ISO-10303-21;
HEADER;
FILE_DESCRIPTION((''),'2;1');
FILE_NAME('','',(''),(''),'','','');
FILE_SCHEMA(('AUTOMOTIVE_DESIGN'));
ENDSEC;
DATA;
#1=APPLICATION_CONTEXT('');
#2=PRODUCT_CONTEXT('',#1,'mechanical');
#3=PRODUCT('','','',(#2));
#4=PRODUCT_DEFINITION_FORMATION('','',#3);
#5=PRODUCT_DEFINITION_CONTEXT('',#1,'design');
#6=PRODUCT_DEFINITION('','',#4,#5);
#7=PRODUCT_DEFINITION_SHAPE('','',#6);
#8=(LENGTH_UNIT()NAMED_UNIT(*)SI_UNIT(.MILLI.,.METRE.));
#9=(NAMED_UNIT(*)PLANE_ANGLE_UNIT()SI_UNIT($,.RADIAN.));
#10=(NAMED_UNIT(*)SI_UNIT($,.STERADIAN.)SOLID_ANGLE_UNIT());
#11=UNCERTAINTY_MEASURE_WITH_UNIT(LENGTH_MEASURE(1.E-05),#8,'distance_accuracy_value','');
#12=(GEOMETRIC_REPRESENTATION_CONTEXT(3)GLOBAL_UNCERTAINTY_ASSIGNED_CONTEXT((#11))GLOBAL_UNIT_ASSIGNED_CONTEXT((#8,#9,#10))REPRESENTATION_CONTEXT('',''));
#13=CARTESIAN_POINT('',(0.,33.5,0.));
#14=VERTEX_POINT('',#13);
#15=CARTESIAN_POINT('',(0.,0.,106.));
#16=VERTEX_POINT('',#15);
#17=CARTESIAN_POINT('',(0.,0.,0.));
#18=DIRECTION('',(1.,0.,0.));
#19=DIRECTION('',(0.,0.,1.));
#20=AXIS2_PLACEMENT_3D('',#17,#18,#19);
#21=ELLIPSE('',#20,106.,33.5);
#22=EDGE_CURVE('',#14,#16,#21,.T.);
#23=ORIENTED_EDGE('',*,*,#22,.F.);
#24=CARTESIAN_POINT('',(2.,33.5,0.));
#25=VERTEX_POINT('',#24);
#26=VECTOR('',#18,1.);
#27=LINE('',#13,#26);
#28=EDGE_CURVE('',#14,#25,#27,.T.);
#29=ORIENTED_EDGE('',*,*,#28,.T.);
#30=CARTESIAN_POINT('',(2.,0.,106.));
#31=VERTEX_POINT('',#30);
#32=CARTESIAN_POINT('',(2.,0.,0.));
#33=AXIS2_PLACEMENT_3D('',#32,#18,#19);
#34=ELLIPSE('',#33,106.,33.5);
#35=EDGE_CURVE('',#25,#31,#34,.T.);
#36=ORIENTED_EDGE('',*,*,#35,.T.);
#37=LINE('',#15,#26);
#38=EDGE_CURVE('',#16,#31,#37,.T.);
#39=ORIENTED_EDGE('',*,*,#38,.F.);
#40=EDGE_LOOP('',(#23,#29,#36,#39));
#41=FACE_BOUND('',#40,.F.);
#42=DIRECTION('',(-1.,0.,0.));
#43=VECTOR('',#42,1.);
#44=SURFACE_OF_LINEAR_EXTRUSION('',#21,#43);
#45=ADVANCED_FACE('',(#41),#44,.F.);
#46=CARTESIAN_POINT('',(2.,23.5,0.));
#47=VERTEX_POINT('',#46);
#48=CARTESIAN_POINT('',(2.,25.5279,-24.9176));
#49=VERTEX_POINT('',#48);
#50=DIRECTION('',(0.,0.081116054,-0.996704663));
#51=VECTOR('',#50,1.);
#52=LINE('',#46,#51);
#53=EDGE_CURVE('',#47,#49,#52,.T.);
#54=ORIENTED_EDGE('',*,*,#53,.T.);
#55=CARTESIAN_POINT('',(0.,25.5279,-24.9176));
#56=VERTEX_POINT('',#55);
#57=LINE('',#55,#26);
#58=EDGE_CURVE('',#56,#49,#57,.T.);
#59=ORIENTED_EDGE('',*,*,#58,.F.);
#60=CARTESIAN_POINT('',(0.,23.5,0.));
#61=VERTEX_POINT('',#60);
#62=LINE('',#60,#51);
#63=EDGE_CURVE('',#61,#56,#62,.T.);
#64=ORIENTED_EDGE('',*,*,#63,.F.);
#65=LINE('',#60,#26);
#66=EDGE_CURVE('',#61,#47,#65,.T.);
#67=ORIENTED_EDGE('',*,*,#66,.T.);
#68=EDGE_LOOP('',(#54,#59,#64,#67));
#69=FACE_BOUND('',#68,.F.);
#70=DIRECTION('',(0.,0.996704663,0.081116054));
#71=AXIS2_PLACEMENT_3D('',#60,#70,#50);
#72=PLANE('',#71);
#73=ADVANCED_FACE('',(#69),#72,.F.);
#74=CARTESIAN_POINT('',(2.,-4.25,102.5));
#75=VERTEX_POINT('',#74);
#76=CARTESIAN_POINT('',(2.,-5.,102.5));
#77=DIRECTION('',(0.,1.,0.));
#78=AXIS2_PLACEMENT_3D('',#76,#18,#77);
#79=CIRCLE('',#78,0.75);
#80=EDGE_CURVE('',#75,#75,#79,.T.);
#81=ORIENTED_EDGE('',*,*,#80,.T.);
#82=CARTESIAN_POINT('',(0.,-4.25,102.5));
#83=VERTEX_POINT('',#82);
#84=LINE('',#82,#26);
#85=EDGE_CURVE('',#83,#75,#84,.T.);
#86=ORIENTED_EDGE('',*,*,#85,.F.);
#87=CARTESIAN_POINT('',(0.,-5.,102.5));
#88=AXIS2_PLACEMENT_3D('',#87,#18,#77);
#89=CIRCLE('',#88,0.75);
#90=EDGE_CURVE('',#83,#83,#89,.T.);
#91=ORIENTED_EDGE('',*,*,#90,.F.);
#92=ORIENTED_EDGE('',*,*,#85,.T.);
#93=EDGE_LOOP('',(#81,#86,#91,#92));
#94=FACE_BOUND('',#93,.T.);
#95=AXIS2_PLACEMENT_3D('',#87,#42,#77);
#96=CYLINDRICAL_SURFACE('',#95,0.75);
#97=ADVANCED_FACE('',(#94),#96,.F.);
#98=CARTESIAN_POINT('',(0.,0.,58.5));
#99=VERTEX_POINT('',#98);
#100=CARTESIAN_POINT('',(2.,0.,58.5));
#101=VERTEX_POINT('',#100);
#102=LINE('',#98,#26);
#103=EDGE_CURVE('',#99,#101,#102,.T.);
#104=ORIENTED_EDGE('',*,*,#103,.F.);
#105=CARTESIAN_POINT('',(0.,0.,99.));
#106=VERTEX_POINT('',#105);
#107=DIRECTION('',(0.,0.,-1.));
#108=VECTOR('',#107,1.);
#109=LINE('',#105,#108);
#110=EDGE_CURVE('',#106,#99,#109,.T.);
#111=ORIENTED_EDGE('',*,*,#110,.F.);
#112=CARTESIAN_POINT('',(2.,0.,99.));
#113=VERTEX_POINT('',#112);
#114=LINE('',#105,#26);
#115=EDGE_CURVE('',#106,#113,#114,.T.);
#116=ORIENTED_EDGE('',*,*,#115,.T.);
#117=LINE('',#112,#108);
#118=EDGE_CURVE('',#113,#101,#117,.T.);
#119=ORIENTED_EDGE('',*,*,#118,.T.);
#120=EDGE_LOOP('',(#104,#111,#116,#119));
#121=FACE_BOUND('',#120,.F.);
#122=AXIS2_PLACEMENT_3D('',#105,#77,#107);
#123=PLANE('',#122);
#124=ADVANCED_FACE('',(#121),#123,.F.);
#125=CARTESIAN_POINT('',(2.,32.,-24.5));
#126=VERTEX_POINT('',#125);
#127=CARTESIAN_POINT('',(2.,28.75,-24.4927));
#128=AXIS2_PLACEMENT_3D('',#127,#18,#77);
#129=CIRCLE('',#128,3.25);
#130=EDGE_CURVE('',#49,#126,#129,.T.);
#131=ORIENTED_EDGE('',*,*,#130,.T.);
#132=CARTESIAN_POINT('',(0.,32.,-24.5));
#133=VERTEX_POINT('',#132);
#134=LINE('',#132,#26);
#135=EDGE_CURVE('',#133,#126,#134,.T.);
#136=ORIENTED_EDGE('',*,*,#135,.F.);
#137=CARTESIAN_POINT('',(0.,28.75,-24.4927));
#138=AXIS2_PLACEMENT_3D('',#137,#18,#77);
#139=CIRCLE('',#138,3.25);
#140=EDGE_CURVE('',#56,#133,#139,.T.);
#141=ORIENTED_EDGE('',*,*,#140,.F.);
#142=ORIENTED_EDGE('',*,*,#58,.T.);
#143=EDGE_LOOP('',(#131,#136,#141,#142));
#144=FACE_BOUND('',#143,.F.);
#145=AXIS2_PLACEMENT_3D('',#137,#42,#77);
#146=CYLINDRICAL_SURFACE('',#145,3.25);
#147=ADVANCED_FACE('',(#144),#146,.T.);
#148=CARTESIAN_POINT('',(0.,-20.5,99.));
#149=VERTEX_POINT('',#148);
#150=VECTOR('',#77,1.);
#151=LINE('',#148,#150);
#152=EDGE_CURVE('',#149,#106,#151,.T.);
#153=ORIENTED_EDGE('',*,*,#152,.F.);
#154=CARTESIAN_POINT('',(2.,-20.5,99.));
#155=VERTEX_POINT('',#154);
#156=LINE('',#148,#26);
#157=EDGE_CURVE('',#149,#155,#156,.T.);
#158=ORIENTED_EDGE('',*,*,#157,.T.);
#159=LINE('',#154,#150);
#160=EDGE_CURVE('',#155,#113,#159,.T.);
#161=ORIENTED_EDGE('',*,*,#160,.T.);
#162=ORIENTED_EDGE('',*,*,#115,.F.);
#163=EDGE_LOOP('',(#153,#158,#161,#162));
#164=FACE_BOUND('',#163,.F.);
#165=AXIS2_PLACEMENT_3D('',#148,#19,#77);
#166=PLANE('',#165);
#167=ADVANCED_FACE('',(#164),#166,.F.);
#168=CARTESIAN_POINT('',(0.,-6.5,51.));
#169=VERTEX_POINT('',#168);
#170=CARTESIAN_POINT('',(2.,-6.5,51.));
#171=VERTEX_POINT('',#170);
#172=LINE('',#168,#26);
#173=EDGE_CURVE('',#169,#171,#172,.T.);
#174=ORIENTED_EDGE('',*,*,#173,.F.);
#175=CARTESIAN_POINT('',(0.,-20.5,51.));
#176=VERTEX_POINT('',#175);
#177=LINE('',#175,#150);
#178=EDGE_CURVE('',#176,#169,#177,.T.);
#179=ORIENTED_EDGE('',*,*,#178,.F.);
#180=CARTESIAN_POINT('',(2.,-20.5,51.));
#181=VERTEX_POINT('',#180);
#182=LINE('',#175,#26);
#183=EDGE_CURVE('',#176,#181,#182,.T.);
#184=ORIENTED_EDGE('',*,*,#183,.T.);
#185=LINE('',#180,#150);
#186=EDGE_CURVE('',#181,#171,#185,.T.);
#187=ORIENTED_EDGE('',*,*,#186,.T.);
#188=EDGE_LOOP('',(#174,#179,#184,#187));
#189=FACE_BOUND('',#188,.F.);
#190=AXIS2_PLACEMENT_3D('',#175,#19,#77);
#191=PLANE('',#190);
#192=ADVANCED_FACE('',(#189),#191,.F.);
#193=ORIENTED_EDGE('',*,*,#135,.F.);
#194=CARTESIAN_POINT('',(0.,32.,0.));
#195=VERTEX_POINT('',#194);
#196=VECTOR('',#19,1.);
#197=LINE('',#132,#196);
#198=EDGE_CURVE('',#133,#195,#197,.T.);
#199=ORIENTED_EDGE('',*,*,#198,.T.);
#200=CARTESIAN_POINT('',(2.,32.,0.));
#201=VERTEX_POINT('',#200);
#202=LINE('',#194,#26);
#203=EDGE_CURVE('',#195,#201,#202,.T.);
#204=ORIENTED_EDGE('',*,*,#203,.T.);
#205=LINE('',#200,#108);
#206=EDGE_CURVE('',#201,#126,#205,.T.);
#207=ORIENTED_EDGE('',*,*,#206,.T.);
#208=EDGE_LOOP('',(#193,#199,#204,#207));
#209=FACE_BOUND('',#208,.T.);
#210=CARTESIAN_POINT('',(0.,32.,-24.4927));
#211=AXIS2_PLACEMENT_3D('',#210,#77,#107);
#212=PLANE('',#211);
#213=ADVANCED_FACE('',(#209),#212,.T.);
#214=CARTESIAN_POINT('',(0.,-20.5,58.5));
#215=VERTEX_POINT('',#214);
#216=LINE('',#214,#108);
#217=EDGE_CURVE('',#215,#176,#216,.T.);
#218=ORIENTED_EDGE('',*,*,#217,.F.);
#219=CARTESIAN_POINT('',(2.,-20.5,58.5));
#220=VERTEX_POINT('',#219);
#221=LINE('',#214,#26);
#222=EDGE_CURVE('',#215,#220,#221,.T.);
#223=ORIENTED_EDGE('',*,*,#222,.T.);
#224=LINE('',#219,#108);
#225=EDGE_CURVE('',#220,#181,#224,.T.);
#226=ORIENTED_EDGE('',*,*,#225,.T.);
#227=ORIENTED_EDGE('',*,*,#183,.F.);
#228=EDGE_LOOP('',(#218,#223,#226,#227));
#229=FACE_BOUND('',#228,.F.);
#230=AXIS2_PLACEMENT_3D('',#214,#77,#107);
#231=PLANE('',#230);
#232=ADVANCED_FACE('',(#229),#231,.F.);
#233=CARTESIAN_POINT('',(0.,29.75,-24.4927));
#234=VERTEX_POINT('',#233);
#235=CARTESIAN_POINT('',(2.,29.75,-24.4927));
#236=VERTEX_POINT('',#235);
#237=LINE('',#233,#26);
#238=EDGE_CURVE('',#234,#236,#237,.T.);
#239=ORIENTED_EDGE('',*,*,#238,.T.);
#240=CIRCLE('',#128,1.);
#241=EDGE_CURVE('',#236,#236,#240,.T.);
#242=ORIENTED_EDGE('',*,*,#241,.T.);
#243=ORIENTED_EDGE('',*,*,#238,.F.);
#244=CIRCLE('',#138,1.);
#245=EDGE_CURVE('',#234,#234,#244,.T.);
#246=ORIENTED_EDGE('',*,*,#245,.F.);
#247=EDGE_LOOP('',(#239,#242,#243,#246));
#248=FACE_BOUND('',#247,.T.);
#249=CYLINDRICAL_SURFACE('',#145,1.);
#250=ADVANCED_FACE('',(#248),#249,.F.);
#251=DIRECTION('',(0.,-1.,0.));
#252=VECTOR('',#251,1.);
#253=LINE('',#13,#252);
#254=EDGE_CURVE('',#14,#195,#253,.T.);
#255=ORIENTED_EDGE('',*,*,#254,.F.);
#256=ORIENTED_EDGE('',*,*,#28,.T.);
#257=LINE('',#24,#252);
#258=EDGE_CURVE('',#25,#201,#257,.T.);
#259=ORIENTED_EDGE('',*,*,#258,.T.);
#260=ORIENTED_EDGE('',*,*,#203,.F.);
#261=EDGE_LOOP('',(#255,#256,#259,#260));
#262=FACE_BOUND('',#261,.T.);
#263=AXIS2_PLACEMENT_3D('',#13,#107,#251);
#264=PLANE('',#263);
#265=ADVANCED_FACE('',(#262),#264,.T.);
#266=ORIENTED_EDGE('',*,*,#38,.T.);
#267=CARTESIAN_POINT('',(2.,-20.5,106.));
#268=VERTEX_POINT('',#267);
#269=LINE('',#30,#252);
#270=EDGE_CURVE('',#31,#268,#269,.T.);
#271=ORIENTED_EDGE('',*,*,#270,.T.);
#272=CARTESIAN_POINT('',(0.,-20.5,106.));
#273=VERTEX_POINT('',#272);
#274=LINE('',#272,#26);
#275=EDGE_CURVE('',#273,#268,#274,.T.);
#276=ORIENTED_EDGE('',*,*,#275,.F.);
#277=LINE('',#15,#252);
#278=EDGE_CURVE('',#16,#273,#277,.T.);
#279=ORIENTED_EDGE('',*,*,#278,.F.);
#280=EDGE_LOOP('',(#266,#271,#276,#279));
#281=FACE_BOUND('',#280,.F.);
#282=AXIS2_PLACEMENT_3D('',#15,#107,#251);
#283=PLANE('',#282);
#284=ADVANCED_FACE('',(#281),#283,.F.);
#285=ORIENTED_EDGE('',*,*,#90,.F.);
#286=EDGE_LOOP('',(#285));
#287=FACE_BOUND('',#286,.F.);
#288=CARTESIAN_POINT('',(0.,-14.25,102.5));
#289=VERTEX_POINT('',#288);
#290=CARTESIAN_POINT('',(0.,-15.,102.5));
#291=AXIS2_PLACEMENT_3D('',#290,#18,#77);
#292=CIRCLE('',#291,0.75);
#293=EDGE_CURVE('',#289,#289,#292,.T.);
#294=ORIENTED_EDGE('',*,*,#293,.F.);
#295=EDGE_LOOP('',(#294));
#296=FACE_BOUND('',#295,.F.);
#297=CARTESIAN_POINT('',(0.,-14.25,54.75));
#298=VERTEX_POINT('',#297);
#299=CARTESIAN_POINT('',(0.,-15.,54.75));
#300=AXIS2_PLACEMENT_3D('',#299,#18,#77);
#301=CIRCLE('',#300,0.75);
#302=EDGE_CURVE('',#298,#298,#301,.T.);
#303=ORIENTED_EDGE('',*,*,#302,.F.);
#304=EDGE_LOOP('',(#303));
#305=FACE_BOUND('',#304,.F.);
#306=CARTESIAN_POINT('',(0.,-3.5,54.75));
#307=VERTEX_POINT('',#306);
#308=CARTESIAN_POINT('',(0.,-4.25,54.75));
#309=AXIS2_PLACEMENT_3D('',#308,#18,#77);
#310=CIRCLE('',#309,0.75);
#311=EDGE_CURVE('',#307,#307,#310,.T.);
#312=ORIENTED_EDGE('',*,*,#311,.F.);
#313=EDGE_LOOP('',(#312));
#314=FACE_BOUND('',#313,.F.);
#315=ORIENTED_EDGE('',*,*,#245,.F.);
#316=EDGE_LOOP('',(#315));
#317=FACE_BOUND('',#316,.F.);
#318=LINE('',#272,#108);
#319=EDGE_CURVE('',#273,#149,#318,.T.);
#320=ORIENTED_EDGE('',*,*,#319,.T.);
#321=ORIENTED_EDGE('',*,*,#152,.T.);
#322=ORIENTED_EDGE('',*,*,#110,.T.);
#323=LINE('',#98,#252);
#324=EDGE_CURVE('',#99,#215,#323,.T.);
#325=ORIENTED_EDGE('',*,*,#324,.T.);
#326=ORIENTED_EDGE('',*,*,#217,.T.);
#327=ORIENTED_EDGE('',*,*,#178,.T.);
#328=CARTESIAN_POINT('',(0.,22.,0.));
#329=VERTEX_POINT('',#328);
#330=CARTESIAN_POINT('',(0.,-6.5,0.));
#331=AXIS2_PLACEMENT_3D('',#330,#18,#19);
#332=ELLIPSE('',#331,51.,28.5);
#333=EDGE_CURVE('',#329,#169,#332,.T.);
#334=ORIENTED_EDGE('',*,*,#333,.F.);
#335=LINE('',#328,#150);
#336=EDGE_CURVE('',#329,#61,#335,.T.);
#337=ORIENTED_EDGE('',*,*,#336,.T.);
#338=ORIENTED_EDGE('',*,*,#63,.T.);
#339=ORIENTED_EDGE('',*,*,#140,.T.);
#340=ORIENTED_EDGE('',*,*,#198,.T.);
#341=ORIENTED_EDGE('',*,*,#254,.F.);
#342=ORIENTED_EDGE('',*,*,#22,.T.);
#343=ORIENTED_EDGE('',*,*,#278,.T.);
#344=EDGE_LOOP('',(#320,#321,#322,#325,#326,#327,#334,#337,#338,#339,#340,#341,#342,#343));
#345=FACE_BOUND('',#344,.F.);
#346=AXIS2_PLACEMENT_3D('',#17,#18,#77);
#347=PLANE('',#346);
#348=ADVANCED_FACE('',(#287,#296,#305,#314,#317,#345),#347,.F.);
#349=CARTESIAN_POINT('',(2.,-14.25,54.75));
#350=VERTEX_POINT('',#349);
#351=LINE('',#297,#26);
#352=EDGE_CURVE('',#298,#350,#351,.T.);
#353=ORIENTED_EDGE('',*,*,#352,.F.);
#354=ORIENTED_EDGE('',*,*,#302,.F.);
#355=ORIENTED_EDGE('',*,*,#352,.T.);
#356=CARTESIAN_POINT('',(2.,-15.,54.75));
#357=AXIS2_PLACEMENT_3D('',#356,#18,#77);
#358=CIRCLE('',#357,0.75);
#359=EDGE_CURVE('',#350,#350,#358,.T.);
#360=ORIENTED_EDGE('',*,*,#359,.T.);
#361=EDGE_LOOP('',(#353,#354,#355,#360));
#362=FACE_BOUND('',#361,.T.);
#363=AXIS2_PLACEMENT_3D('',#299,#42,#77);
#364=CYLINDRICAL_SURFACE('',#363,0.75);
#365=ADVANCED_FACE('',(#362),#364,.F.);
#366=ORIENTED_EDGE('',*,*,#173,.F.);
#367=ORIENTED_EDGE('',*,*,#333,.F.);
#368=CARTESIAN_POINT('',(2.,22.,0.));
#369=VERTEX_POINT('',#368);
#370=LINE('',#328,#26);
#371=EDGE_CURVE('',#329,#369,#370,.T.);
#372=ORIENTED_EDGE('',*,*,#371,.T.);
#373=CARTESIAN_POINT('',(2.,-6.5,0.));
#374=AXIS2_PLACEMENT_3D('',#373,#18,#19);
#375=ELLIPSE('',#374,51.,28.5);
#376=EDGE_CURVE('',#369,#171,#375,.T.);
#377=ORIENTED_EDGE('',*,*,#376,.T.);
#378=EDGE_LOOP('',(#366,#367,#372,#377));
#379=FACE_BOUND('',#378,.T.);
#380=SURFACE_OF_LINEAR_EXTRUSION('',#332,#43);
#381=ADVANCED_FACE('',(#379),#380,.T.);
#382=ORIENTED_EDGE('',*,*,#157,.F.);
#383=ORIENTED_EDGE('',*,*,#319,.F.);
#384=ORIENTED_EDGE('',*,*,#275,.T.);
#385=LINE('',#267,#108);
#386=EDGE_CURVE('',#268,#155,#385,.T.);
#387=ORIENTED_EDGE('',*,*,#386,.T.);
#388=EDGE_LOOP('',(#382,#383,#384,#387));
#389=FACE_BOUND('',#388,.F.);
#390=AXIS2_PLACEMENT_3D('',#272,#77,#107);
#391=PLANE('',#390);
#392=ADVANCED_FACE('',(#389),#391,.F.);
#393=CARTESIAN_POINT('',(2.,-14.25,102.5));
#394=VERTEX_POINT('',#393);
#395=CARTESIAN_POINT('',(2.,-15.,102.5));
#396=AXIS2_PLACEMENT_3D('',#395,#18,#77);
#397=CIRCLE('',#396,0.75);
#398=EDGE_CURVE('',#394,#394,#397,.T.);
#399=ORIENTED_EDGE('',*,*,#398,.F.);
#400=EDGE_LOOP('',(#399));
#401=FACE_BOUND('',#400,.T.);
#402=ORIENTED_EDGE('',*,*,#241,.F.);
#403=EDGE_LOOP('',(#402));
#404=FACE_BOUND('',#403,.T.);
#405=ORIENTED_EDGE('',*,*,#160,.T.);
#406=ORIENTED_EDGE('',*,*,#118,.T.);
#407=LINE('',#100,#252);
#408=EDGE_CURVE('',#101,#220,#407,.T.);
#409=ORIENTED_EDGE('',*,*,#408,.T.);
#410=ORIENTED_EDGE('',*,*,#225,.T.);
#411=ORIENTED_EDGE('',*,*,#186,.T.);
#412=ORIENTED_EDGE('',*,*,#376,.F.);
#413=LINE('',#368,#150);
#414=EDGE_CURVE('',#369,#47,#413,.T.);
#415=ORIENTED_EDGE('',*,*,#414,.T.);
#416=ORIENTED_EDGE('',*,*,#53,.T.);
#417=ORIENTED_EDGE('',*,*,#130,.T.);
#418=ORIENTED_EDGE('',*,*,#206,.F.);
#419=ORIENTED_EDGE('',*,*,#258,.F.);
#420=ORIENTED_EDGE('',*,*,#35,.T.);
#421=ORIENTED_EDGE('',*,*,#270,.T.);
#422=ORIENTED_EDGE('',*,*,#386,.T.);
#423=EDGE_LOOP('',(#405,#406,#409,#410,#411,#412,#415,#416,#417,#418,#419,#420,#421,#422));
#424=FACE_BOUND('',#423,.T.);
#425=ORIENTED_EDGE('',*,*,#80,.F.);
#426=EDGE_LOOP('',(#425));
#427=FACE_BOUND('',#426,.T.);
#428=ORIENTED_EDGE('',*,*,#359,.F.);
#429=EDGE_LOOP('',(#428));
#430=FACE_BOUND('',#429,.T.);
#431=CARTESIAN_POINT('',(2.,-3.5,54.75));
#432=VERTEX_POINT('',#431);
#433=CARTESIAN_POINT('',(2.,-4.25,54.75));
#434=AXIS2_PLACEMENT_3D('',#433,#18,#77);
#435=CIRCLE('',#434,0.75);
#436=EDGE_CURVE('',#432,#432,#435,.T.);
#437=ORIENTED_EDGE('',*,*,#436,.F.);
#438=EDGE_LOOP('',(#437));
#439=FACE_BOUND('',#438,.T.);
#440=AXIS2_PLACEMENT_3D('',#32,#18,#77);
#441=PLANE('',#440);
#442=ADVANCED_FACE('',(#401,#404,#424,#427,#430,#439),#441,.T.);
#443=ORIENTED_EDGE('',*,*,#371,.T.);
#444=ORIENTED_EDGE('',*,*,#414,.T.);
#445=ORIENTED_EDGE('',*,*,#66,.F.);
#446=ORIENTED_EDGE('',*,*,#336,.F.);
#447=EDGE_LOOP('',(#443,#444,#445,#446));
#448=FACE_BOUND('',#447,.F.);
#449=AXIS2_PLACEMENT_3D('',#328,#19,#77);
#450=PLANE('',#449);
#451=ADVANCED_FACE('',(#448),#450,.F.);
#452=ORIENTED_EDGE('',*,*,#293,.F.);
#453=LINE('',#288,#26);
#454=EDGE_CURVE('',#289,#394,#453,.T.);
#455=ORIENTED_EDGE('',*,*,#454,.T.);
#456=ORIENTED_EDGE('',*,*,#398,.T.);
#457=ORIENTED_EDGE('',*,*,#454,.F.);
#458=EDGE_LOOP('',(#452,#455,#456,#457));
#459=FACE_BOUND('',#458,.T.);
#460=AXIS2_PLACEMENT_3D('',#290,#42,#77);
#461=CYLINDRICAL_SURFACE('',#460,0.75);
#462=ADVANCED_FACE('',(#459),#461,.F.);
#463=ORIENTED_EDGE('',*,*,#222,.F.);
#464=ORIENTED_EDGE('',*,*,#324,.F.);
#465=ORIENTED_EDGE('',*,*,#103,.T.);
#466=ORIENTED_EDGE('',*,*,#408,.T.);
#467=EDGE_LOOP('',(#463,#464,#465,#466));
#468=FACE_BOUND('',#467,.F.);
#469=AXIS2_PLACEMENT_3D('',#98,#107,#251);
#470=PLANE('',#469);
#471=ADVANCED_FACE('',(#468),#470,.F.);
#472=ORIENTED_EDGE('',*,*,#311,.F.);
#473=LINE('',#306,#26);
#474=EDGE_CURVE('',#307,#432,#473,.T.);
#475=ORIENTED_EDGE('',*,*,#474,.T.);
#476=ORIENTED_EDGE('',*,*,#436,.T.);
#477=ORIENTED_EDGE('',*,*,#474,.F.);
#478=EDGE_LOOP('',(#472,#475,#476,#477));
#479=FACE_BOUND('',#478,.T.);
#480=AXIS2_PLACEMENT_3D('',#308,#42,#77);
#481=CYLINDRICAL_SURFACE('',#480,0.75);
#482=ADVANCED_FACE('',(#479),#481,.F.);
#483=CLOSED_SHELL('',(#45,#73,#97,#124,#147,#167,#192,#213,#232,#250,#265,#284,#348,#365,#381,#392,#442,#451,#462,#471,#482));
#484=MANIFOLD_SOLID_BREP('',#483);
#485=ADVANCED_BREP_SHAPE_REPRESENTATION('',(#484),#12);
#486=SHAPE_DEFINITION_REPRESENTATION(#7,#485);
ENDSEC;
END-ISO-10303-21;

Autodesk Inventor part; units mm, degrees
ref_plane "YZ Plane" through (0, 0, 0) normal (1, 0, 0) x (0, 1, 0)
ref_plane "XZ Plane" through (0, 0, 0) normal (0, 1, 0) x (-1, 0, 0)
ref_plane "XY Plane" through (0, 0, 0) normal (0, 0, 1) x (1, 0, 0)
sketch "Sketch1" plane through (0, 0, 0) normal (1, 0, 0) x (0, 1, 0)
  ellipse E0 centre (0, 0) end of major axis (33.5, 0) minor radius 106 (33.5, 0) -> (0, 106) ccw
  line L0 (0, 106) -> (-20.5, 106)
  ellipse E1 centre (-6.5, 0) end of major axis (22, 0) minor radius 51 (22, 0) -> (-6.5, 51) ccw
  line L1 (-20.5, 106) -> (-20.5, 99)
  line L2 (-20.5, 99) -> (0, 99)
  line L3 (0, 99) -> (0, 58.5)
  line L4 (0, 58.5) -> (-20.5, 58.5)
  line L5 (-20.5, 58.5) -> (-20.5, 51)
  line L6 (-20.5, 51) -> (-6.5, 51)
  line L7 (33.5, 0) -> (32, 0)
  line L8 (22, 0) -> (23.5, 0)
  line L9 (0, 106) -> (0, 0) construction
  circle A0 centre (-5, 102.5) radius 0.75
  circle A1 centre (-15, 102.5) radius 0.75
  circle A2 centre (-15, 54.75) radius 0.75
  circle A3 centre (-4.25, 54.75) radius 0.75
  line L10 (23.5, 0) -> (25.5279, -24.9176)
  line L11 (32, 0) -> (32, -24.5)
  circle A4 centre (28.75, -24.4927) radius 3.25
  circle A5 centre (28.75, -24.4927) radius 1
  dimension "d5" = 33.5
  dimension "d6" = 106
  dimension "d12" = 28.5
  dimension "d10" = 20.5
  dimension "d14" = 6.5
  dimension "d15" = 7
  dimension "d16" = 40.5
  dimension "d17" = 1.5
  dimension "d18" = 1.5
  dimension "d22" = 3.5
  dimension "d23" = 5
  dimension "d24" = 1.5
  dimension "d25" = 1.5
  dimension "d26" = 5.5
  dimension "d27" = 1.5
  dimension "d28" = 5.5
  dimension "d29" = 1.5
  dimension "d32" = 25
  dimension "d34" = 24.5
  dimension "d35" = 6.5
  dimension "d36" = 2
sketch "Sketch2" plane through (0, 0, 0) normal (1, 0, 0) x (0, 1, 0)
  point P0 (0, 0)
extrude "Extrusion1" add sketch "Sketch1" along normal blind 2
properties part number "kaki"
